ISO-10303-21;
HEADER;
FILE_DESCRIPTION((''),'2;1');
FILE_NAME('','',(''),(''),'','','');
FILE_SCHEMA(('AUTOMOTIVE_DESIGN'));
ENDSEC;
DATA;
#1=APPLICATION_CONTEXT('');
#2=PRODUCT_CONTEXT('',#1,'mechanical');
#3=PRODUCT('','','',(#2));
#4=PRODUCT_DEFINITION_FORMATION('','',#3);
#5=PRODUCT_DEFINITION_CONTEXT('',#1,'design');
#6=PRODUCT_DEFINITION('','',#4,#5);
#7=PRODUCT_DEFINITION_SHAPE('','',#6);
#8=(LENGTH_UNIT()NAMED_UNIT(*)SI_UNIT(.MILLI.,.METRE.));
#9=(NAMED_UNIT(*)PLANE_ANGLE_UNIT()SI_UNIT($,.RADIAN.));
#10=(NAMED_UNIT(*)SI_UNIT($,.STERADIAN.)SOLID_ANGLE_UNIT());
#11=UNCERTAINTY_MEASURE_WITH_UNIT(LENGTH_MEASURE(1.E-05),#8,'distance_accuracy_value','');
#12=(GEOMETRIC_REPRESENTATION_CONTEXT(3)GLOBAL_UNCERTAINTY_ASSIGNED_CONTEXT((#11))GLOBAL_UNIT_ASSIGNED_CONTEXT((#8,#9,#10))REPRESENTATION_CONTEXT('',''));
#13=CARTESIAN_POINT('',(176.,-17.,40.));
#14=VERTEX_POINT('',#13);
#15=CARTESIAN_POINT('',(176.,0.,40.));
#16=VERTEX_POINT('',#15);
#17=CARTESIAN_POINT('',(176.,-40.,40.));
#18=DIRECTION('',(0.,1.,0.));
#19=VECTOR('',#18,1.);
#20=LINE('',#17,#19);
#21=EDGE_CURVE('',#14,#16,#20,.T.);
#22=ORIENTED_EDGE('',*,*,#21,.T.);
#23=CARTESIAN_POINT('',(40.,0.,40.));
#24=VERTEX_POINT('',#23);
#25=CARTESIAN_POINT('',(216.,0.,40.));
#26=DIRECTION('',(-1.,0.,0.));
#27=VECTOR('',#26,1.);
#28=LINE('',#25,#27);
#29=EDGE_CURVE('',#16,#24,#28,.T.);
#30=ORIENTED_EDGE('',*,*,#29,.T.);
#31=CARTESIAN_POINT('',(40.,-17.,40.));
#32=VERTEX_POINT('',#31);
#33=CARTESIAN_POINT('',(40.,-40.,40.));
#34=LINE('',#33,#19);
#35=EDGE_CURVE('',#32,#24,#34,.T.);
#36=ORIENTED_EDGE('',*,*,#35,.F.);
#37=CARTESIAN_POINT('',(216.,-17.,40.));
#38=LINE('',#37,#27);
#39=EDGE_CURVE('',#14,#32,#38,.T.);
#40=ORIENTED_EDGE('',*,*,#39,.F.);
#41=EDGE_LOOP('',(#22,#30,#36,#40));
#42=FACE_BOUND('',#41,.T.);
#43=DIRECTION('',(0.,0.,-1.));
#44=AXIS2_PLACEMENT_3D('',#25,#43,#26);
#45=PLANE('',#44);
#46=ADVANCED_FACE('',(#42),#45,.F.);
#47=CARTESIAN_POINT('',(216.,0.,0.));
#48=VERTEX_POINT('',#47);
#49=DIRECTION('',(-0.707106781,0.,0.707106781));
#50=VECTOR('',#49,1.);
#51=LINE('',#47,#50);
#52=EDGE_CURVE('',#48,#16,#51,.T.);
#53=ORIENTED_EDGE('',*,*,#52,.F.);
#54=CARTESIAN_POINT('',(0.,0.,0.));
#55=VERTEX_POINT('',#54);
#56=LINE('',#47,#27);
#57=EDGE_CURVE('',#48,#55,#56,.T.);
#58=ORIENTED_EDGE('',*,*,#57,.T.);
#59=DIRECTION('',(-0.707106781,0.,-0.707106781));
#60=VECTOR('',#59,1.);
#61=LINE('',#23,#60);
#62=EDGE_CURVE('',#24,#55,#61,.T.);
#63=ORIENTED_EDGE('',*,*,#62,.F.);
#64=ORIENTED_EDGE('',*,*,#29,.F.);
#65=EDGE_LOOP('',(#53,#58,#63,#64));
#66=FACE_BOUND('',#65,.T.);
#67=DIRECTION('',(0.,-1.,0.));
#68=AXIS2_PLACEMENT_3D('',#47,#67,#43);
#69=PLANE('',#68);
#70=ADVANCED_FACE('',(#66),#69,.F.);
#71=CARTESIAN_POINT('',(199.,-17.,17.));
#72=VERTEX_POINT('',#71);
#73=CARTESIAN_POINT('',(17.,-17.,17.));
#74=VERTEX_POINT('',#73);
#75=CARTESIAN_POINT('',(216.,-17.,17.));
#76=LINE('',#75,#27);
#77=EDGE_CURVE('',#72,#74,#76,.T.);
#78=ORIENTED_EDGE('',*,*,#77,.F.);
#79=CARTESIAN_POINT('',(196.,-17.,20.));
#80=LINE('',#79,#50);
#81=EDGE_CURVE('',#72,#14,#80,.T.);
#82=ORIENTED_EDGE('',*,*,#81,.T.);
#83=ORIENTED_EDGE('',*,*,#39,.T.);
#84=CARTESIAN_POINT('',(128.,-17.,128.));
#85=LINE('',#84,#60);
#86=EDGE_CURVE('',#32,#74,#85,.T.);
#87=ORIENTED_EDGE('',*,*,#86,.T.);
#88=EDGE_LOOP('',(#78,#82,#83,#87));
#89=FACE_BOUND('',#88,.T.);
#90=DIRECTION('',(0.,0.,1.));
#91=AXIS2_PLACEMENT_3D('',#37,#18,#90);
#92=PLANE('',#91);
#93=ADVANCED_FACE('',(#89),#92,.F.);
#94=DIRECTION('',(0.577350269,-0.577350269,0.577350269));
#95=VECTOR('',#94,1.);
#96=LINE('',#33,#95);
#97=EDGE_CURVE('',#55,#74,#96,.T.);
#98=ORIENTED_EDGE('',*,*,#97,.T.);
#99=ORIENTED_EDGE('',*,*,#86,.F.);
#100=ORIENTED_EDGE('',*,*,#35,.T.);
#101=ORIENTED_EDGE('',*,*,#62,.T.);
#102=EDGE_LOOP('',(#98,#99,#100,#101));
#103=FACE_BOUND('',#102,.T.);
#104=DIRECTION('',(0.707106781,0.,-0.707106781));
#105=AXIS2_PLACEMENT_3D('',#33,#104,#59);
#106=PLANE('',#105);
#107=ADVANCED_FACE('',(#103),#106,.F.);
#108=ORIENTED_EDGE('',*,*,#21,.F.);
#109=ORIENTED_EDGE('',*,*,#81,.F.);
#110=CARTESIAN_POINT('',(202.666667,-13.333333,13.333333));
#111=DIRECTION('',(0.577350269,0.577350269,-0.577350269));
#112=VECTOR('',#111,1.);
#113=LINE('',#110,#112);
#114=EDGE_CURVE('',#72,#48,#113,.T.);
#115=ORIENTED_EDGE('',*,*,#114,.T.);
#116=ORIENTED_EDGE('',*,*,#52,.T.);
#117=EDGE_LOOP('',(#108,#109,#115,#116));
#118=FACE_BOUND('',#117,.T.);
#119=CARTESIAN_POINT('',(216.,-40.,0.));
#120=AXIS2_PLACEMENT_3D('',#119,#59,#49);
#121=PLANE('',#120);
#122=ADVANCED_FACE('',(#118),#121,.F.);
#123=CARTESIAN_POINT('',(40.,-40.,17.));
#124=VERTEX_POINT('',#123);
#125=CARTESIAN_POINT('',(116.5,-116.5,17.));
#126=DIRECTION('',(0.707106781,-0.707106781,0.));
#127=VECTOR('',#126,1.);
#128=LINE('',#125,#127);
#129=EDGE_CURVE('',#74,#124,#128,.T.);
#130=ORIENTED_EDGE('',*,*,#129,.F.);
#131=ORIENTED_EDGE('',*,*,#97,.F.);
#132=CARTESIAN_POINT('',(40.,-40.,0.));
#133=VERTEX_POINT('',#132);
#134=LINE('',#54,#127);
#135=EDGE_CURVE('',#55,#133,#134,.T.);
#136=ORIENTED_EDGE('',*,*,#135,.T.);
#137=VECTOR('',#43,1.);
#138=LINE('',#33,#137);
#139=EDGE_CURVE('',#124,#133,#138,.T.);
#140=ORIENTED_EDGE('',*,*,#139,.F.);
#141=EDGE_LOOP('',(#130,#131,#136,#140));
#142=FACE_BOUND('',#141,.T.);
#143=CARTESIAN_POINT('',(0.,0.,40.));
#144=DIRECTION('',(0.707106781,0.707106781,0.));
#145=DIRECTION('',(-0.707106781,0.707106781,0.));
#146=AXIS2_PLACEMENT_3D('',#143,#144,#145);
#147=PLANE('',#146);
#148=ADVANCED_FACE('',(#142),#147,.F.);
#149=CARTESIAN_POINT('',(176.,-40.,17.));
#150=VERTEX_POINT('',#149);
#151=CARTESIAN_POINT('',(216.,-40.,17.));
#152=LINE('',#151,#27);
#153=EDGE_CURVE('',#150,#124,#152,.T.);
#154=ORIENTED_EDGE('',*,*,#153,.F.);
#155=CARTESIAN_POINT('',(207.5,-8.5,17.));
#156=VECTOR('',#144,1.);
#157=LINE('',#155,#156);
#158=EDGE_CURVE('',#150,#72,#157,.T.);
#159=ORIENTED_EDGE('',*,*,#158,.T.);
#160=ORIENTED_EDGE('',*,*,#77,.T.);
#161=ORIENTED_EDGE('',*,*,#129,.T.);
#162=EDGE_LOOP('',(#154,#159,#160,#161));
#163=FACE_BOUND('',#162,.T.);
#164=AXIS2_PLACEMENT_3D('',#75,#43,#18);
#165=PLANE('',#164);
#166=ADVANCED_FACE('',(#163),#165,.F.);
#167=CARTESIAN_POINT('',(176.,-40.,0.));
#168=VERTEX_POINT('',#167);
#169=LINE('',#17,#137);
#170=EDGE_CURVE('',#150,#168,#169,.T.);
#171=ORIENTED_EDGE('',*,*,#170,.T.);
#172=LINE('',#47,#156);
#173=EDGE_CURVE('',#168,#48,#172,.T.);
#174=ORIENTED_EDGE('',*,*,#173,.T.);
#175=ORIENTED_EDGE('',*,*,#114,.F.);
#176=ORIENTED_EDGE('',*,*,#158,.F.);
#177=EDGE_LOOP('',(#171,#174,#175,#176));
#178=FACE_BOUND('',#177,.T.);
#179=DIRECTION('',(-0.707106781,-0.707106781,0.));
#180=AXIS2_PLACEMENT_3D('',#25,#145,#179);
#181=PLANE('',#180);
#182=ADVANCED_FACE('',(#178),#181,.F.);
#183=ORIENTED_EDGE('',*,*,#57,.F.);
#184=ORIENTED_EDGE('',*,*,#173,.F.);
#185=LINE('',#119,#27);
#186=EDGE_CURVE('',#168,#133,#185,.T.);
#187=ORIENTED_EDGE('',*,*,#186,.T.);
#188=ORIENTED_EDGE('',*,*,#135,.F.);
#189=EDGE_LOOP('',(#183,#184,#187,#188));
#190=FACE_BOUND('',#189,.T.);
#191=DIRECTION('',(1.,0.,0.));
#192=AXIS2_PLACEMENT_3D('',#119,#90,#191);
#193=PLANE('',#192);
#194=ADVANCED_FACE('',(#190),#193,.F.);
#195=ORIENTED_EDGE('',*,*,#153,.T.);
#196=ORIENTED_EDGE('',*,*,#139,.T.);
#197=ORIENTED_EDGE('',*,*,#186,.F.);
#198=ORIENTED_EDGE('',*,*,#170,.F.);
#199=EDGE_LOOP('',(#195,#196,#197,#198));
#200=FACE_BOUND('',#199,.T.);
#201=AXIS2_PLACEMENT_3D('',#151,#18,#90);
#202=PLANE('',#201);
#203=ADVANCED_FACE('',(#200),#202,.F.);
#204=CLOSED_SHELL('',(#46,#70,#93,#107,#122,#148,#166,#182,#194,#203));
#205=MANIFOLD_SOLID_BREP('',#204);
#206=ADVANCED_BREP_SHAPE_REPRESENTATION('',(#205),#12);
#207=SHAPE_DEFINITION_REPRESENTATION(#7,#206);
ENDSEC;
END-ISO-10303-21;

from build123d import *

# Parameters (mm, degrees)
BOSS_EXTRU_1_DEPTH      = 216
ENL_V_MAT_EXTRU_1_DEPTH = 41
ENL_V_MAT_EXTRU_2_DEPTH = 41


with BuildPart() as part:
    # Esquisse1 → Boss.-Extru.1 (new body)
    with BuildSketch(Plane(origin=(0, 0, 0), x_dir=(0, 0, -1), z_dir=(1, 0, 0))):
        Polygon((0, 0), (-40, 0), (-40, -17), (-17, -17), (-17, -40), (0, -40), align=None)
    extrude(amount=BOSS_EXTRU_1_DEPTH)

    # Esquisse2 → Enlèv. mat.-Extru.1 (cut, through all)
    with BuildSketch(Plane(origin=(0, 0, 0), x_dir=(1, 0, 0), z_dir=(0, 1, 0))):
        Polygon((216, 0), (176, -40), (216, -40), align=None)
        Polygon((0, 0), (0, -40), (40, -40), align=None)
    extrude(amount=-ENL_V_MAT_EXTRU_1_DEPTH, mode=Mode.SUBTRACT)

    # Esquisse3 → Enlèv. mat.-Extru.2 (cut, through all)
    with BuildSketch(Plane(origin=(0, 0, 0), x_dir=(-1, 0, 0), z_dir=(0, 0, -1))):
        Polygon((-216, 0), (-176, -40), (-216, -40), align=None)
        Polygon((-40, -40), (0, -40), (0, 0), align=None)
    extrude(amount=-ENL_V_MAT_EXTRU_2_DEPTH, mode=Mode.SUBTRACT)


solid = part.part
